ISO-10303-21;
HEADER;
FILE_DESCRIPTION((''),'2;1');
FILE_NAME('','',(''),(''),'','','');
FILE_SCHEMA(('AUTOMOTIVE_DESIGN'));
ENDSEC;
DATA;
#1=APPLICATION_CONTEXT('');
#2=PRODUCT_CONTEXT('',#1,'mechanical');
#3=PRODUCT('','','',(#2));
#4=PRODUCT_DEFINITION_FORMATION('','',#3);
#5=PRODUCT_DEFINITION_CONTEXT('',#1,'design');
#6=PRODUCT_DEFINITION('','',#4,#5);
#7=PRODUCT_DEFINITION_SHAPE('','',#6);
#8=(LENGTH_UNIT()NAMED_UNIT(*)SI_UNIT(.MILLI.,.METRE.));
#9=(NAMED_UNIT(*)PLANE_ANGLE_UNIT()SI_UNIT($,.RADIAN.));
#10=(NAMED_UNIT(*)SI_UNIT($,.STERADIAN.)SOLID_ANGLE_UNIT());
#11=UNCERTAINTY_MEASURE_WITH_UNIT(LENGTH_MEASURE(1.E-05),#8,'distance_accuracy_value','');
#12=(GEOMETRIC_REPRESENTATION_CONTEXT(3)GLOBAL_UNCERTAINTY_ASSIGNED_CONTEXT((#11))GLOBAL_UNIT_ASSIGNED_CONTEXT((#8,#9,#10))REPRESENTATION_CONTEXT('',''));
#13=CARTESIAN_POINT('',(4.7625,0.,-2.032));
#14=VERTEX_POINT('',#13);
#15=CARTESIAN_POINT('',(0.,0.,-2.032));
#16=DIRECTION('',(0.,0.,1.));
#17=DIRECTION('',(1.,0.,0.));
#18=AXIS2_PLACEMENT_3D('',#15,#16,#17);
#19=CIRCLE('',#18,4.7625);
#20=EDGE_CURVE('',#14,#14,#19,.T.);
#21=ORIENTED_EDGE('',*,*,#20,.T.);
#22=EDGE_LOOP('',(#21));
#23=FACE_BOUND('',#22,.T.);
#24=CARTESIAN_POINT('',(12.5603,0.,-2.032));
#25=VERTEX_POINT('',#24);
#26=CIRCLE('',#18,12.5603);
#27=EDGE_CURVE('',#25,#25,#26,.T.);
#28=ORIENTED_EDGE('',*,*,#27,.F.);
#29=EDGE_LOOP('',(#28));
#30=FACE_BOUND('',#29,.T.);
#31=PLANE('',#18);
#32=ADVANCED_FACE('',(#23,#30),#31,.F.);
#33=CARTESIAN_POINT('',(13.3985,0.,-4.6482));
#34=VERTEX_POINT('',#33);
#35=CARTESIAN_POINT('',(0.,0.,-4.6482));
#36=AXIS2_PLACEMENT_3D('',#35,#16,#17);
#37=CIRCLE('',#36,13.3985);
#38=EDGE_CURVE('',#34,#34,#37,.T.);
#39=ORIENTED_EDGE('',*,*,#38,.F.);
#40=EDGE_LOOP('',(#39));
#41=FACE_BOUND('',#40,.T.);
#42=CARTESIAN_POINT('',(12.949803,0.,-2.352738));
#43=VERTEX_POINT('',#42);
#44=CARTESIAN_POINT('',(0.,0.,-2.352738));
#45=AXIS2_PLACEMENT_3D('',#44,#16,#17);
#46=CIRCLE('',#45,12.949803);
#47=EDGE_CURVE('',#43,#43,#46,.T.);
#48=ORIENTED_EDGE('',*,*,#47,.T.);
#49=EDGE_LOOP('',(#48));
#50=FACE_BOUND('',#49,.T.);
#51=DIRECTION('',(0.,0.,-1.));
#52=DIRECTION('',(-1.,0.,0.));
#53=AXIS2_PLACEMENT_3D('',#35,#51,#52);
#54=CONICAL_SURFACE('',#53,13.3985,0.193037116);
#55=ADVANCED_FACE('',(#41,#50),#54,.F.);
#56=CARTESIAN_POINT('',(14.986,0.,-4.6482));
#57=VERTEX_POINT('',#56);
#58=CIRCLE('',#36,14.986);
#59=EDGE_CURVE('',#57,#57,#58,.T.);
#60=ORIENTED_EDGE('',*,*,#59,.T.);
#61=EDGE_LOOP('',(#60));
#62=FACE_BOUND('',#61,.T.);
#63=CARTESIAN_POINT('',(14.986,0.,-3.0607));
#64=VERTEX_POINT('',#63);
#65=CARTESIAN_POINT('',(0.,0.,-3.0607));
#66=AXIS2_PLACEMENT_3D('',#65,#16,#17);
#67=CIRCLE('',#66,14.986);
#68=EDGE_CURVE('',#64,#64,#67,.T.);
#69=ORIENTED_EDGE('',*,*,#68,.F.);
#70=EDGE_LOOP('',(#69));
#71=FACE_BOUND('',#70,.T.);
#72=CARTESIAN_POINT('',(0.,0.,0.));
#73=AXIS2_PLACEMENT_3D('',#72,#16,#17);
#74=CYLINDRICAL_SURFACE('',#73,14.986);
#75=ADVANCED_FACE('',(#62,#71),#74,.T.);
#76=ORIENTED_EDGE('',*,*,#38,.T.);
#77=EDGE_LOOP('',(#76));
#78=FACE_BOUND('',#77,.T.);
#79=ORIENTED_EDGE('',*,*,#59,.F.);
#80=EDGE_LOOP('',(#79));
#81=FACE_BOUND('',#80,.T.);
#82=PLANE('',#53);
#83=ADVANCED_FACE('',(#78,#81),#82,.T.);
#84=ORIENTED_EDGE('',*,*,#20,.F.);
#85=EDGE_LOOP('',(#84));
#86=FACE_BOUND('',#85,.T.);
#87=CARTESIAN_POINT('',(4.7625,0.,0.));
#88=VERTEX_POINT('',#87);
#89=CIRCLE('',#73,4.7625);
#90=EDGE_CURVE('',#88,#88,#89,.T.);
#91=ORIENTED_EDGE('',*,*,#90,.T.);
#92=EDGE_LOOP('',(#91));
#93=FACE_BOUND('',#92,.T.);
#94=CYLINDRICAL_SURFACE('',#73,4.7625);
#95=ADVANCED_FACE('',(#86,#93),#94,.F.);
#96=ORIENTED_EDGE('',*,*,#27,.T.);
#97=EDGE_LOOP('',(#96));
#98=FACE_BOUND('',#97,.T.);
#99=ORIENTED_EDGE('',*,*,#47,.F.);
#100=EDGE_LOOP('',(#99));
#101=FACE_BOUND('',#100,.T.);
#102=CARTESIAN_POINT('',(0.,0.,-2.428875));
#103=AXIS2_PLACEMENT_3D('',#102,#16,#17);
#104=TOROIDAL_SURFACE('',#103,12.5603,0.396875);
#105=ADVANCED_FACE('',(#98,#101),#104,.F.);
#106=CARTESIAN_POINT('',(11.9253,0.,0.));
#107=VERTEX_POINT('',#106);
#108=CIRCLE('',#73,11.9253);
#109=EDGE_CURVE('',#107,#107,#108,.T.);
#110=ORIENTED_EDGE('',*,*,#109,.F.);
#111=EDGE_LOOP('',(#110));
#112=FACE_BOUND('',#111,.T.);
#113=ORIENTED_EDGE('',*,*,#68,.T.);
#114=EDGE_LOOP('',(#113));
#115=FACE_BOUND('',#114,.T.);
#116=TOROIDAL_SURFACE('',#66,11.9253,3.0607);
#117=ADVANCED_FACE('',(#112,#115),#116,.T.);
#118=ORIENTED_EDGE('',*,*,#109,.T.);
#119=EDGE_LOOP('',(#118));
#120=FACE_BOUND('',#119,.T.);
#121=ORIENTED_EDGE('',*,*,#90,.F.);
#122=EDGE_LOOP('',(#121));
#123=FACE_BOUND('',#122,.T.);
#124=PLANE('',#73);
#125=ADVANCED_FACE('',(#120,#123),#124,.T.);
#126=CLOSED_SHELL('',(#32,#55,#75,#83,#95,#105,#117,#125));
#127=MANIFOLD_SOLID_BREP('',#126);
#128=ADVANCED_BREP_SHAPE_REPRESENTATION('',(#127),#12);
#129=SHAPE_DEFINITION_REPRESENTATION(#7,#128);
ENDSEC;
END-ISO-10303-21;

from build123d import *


with BuildPart() as part:
    # Sketch1 → Revolve1 (revolve)
    with BuildSketch(Plane(origin=(0, 0, 0), x_dir=(1, 0, 0), z_dir=(0, 1, 0))):
        with BuildLine():
            ThreePointArc((12.5603, 2.032), (12.812582596, 2.122503889), (12.949803492, 2.352738309))
            Line((12.949803492, 2.352738309), (13.3985, 4.6482))
            Line((13.3985, 4.6482), (14.986, 4.6482))
            Line((14.986, 4.6482), (14.986, 3.0607))
            ThreePointArc((14.986, 3.0607), (14.089541725, 0.896458275), (11.9253, 0))
            Line((11.9253, 0), (4.7625, 0))
            Line((4.7625, 0), (4.7625, 2.032))
            Line((4.7625, 2.032), (12.5603, 2.032))
        make_face()
    revolve(axis=Axis((0, 0, 0), (0, 0, -1)))


solid = part.part
